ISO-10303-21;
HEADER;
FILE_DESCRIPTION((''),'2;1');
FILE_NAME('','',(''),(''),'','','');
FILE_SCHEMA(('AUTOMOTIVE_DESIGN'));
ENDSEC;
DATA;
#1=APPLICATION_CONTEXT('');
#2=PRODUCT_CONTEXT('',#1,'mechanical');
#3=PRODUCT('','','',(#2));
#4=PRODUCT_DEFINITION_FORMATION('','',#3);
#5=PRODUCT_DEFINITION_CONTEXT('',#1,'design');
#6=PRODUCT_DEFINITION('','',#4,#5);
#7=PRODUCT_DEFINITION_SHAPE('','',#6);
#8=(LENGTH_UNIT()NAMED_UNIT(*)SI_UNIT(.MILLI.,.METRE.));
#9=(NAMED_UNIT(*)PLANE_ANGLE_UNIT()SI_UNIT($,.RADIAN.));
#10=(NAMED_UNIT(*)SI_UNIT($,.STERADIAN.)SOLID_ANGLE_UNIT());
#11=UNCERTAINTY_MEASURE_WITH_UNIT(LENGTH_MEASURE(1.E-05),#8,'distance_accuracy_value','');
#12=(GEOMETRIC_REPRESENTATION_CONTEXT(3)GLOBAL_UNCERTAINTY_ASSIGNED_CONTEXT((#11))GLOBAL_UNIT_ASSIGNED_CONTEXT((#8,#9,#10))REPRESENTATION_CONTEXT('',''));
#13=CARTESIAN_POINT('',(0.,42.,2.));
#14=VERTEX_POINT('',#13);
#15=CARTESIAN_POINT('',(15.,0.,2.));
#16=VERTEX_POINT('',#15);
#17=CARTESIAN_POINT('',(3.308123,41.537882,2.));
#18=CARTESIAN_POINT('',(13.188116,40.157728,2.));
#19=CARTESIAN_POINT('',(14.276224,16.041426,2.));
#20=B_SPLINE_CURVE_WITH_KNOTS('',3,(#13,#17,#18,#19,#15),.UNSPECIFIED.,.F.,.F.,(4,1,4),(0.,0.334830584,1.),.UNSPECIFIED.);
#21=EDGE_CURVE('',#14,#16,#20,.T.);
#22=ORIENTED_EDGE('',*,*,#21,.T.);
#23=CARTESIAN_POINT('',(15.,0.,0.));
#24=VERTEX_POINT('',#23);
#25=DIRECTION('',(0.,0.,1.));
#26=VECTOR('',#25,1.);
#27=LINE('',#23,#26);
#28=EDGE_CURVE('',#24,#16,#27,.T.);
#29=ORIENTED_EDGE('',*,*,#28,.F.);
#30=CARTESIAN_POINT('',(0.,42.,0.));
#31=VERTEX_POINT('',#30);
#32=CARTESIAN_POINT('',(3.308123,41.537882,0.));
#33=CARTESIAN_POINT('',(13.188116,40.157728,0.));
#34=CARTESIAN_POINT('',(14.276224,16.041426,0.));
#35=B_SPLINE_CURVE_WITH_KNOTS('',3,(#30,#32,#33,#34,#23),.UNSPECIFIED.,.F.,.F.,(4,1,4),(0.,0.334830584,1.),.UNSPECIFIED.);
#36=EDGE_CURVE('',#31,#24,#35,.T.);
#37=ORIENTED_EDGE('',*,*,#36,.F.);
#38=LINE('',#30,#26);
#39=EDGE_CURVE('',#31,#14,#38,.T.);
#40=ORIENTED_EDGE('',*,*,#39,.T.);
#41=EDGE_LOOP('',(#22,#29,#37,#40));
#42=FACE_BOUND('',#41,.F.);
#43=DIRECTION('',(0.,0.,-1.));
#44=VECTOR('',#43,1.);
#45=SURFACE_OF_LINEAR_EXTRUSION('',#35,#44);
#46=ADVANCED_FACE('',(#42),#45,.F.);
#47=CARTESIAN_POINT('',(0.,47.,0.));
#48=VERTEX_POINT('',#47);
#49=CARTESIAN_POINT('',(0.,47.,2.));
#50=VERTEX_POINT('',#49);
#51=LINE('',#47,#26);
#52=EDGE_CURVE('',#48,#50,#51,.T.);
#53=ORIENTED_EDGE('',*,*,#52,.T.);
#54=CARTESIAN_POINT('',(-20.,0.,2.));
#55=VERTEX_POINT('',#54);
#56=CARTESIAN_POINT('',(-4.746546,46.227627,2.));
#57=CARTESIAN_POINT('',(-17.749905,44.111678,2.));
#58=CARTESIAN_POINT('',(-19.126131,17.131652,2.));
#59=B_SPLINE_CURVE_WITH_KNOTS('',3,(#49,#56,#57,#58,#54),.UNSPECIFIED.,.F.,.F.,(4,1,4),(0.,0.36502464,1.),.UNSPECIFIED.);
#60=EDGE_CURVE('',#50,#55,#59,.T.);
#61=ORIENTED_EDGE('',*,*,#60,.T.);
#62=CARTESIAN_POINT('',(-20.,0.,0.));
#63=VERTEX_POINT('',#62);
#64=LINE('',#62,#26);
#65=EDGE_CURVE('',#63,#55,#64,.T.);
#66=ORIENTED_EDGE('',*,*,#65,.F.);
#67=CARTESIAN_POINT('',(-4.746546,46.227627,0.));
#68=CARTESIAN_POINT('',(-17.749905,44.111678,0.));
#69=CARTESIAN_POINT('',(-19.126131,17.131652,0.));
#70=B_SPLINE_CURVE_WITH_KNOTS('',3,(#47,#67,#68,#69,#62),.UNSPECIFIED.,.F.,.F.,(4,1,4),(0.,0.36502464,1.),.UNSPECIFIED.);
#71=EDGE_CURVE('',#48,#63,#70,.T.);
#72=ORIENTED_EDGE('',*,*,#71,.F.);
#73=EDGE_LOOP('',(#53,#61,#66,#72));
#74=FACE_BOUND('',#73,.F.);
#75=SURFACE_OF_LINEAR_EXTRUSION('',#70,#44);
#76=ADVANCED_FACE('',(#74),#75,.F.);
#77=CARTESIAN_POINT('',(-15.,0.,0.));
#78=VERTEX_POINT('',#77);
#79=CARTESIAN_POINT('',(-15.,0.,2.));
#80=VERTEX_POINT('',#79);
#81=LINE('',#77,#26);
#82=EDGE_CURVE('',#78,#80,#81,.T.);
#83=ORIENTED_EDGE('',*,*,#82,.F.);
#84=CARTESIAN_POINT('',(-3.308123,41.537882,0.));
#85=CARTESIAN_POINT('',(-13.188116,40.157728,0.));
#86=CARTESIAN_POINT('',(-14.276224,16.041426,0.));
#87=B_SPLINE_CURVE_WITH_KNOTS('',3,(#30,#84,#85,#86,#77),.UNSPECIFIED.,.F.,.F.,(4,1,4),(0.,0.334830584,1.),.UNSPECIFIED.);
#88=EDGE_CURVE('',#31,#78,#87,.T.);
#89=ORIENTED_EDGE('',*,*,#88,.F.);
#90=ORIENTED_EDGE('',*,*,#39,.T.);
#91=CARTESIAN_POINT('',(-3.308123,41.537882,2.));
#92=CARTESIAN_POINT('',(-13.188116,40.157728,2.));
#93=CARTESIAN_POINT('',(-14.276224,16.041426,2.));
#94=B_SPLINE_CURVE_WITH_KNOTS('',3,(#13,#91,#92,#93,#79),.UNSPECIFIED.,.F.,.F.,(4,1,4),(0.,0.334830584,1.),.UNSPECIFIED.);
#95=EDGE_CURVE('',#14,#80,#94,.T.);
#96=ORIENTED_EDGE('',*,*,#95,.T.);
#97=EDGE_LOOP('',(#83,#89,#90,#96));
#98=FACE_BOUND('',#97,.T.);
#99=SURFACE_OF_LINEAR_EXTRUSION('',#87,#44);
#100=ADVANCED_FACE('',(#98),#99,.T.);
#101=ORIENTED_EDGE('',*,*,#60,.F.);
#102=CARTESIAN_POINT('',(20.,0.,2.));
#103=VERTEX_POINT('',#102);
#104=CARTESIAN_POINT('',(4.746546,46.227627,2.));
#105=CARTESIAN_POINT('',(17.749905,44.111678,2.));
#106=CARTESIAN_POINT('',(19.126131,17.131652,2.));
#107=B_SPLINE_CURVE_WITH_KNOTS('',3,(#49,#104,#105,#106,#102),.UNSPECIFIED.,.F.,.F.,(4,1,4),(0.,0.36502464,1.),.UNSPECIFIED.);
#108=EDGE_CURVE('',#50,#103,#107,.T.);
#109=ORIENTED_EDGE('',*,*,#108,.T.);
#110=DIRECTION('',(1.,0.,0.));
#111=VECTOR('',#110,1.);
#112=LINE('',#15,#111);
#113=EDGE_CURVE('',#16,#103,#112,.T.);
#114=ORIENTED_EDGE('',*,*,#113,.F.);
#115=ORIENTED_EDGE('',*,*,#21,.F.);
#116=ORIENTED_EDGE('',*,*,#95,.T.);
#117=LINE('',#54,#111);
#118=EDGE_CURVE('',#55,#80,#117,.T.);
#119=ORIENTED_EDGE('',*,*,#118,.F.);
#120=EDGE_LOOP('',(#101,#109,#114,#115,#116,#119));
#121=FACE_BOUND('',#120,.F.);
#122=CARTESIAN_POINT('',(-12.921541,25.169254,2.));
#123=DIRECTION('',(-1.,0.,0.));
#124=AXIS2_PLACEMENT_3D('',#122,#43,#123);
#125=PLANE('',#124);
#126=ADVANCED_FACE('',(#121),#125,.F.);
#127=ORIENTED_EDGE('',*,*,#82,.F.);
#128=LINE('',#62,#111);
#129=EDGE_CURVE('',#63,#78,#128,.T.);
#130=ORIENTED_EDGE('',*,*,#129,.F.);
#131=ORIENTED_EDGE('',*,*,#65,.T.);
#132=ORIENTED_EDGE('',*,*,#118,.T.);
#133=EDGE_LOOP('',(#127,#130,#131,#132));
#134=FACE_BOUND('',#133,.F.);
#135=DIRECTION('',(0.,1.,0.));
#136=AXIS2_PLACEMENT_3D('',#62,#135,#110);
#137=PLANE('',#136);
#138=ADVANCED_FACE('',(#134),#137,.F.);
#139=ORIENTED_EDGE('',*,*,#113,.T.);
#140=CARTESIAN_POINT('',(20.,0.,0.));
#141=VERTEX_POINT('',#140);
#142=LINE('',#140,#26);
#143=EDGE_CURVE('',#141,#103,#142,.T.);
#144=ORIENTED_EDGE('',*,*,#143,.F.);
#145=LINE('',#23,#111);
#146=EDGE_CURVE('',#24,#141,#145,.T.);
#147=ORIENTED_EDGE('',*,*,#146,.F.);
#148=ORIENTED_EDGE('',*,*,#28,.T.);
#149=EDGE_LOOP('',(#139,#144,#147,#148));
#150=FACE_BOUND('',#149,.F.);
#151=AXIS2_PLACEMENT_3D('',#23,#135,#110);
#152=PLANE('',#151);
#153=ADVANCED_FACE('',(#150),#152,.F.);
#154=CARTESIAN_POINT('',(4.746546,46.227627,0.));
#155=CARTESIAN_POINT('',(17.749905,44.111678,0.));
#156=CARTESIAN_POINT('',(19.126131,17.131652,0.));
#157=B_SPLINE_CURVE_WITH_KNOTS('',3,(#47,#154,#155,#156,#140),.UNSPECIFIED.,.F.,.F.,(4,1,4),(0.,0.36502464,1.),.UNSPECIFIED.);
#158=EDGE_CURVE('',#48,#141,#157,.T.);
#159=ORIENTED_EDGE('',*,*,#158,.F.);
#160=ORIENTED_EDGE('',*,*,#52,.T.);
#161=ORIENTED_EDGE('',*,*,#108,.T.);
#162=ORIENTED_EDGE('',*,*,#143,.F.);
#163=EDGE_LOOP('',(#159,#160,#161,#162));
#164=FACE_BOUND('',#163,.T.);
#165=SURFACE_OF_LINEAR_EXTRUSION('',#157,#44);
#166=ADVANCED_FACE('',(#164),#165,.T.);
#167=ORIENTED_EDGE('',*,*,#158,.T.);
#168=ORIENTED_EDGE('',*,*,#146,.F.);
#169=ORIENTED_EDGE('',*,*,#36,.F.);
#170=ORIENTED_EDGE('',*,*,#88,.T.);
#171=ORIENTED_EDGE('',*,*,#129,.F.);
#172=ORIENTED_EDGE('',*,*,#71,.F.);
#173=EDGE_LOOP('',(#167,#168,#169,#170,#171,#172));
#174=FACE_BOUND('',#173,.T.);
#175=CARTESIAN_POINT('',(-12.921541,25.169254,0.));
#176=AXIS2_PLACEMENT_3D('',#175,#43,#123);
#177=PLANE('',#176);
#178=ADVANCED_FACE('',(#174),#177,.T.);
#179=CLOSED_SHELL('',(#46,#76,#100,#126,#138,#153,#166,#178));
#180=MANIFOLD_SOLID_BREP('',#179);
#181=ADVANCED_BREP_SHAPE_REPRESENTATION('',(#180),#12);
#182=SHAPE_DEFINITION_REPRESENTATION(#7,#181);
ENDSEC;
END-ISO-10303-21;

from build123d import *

# Parameters (mm, degrees)
F1_DEPTH = 2


with BuildPart() as f1:
    # F0 (on Top) → F1 (new body)
    with BuildSketch(Plane.XY):
        with BuildLine():
            add(Edge.make_bspline(
                [(0, 42), (-3.3081234958, 41.5378821318), (-13.1881155159, 40.1577278371), (-14.2762237086, 16.0414262488), (-15, 0)],
                knots=[0, 0, 0, 0, 0.3348305838, 1, 1, 1, 1], degree=3))
            Line((0, 42), (0, 47))
            add(Edge.make_bspline(
                [(0, 47), (-4.746546306, 46.2276267285), (-17.7499049498, 44.1116784141), (-19.1261306135, 17.1316519931), (-20, 0)],
                knots=[0, 0, 0, 0, 0.3650246399, 1, 1, 1, 1], degree=3))
            Line((-20, 0), (-15, 0))
        make_face()
        with BuildLine():
            Line((0, 47), (0, 42))
            add(Edge.make_bspline(
                [(0, 42), (3.3081234958, 41.5378821318), (13.1881155159, 40.1577278371), (14.2762237086, 16.0414262488), (15, 0)],
                knots=[0, 0, 0, 0, 0.3348305838, 1, 1, 1, 1], degree=3))
            Line((15, 0), (20, 0))
            add(Edge.make_bspline(
                [(0, 47), (4.746546306, 46.2276267285), (17.7499049498, 44.1116784141), (19.1261306135, 17.1316519931), (20, 0)],
                knots=[0, 0, 0, 0, 0.3650246399, 1, 1, 1, 1], degree=3))
        make_face()
    extrude(amount=F1_DEPTH)


solid = f1.part
